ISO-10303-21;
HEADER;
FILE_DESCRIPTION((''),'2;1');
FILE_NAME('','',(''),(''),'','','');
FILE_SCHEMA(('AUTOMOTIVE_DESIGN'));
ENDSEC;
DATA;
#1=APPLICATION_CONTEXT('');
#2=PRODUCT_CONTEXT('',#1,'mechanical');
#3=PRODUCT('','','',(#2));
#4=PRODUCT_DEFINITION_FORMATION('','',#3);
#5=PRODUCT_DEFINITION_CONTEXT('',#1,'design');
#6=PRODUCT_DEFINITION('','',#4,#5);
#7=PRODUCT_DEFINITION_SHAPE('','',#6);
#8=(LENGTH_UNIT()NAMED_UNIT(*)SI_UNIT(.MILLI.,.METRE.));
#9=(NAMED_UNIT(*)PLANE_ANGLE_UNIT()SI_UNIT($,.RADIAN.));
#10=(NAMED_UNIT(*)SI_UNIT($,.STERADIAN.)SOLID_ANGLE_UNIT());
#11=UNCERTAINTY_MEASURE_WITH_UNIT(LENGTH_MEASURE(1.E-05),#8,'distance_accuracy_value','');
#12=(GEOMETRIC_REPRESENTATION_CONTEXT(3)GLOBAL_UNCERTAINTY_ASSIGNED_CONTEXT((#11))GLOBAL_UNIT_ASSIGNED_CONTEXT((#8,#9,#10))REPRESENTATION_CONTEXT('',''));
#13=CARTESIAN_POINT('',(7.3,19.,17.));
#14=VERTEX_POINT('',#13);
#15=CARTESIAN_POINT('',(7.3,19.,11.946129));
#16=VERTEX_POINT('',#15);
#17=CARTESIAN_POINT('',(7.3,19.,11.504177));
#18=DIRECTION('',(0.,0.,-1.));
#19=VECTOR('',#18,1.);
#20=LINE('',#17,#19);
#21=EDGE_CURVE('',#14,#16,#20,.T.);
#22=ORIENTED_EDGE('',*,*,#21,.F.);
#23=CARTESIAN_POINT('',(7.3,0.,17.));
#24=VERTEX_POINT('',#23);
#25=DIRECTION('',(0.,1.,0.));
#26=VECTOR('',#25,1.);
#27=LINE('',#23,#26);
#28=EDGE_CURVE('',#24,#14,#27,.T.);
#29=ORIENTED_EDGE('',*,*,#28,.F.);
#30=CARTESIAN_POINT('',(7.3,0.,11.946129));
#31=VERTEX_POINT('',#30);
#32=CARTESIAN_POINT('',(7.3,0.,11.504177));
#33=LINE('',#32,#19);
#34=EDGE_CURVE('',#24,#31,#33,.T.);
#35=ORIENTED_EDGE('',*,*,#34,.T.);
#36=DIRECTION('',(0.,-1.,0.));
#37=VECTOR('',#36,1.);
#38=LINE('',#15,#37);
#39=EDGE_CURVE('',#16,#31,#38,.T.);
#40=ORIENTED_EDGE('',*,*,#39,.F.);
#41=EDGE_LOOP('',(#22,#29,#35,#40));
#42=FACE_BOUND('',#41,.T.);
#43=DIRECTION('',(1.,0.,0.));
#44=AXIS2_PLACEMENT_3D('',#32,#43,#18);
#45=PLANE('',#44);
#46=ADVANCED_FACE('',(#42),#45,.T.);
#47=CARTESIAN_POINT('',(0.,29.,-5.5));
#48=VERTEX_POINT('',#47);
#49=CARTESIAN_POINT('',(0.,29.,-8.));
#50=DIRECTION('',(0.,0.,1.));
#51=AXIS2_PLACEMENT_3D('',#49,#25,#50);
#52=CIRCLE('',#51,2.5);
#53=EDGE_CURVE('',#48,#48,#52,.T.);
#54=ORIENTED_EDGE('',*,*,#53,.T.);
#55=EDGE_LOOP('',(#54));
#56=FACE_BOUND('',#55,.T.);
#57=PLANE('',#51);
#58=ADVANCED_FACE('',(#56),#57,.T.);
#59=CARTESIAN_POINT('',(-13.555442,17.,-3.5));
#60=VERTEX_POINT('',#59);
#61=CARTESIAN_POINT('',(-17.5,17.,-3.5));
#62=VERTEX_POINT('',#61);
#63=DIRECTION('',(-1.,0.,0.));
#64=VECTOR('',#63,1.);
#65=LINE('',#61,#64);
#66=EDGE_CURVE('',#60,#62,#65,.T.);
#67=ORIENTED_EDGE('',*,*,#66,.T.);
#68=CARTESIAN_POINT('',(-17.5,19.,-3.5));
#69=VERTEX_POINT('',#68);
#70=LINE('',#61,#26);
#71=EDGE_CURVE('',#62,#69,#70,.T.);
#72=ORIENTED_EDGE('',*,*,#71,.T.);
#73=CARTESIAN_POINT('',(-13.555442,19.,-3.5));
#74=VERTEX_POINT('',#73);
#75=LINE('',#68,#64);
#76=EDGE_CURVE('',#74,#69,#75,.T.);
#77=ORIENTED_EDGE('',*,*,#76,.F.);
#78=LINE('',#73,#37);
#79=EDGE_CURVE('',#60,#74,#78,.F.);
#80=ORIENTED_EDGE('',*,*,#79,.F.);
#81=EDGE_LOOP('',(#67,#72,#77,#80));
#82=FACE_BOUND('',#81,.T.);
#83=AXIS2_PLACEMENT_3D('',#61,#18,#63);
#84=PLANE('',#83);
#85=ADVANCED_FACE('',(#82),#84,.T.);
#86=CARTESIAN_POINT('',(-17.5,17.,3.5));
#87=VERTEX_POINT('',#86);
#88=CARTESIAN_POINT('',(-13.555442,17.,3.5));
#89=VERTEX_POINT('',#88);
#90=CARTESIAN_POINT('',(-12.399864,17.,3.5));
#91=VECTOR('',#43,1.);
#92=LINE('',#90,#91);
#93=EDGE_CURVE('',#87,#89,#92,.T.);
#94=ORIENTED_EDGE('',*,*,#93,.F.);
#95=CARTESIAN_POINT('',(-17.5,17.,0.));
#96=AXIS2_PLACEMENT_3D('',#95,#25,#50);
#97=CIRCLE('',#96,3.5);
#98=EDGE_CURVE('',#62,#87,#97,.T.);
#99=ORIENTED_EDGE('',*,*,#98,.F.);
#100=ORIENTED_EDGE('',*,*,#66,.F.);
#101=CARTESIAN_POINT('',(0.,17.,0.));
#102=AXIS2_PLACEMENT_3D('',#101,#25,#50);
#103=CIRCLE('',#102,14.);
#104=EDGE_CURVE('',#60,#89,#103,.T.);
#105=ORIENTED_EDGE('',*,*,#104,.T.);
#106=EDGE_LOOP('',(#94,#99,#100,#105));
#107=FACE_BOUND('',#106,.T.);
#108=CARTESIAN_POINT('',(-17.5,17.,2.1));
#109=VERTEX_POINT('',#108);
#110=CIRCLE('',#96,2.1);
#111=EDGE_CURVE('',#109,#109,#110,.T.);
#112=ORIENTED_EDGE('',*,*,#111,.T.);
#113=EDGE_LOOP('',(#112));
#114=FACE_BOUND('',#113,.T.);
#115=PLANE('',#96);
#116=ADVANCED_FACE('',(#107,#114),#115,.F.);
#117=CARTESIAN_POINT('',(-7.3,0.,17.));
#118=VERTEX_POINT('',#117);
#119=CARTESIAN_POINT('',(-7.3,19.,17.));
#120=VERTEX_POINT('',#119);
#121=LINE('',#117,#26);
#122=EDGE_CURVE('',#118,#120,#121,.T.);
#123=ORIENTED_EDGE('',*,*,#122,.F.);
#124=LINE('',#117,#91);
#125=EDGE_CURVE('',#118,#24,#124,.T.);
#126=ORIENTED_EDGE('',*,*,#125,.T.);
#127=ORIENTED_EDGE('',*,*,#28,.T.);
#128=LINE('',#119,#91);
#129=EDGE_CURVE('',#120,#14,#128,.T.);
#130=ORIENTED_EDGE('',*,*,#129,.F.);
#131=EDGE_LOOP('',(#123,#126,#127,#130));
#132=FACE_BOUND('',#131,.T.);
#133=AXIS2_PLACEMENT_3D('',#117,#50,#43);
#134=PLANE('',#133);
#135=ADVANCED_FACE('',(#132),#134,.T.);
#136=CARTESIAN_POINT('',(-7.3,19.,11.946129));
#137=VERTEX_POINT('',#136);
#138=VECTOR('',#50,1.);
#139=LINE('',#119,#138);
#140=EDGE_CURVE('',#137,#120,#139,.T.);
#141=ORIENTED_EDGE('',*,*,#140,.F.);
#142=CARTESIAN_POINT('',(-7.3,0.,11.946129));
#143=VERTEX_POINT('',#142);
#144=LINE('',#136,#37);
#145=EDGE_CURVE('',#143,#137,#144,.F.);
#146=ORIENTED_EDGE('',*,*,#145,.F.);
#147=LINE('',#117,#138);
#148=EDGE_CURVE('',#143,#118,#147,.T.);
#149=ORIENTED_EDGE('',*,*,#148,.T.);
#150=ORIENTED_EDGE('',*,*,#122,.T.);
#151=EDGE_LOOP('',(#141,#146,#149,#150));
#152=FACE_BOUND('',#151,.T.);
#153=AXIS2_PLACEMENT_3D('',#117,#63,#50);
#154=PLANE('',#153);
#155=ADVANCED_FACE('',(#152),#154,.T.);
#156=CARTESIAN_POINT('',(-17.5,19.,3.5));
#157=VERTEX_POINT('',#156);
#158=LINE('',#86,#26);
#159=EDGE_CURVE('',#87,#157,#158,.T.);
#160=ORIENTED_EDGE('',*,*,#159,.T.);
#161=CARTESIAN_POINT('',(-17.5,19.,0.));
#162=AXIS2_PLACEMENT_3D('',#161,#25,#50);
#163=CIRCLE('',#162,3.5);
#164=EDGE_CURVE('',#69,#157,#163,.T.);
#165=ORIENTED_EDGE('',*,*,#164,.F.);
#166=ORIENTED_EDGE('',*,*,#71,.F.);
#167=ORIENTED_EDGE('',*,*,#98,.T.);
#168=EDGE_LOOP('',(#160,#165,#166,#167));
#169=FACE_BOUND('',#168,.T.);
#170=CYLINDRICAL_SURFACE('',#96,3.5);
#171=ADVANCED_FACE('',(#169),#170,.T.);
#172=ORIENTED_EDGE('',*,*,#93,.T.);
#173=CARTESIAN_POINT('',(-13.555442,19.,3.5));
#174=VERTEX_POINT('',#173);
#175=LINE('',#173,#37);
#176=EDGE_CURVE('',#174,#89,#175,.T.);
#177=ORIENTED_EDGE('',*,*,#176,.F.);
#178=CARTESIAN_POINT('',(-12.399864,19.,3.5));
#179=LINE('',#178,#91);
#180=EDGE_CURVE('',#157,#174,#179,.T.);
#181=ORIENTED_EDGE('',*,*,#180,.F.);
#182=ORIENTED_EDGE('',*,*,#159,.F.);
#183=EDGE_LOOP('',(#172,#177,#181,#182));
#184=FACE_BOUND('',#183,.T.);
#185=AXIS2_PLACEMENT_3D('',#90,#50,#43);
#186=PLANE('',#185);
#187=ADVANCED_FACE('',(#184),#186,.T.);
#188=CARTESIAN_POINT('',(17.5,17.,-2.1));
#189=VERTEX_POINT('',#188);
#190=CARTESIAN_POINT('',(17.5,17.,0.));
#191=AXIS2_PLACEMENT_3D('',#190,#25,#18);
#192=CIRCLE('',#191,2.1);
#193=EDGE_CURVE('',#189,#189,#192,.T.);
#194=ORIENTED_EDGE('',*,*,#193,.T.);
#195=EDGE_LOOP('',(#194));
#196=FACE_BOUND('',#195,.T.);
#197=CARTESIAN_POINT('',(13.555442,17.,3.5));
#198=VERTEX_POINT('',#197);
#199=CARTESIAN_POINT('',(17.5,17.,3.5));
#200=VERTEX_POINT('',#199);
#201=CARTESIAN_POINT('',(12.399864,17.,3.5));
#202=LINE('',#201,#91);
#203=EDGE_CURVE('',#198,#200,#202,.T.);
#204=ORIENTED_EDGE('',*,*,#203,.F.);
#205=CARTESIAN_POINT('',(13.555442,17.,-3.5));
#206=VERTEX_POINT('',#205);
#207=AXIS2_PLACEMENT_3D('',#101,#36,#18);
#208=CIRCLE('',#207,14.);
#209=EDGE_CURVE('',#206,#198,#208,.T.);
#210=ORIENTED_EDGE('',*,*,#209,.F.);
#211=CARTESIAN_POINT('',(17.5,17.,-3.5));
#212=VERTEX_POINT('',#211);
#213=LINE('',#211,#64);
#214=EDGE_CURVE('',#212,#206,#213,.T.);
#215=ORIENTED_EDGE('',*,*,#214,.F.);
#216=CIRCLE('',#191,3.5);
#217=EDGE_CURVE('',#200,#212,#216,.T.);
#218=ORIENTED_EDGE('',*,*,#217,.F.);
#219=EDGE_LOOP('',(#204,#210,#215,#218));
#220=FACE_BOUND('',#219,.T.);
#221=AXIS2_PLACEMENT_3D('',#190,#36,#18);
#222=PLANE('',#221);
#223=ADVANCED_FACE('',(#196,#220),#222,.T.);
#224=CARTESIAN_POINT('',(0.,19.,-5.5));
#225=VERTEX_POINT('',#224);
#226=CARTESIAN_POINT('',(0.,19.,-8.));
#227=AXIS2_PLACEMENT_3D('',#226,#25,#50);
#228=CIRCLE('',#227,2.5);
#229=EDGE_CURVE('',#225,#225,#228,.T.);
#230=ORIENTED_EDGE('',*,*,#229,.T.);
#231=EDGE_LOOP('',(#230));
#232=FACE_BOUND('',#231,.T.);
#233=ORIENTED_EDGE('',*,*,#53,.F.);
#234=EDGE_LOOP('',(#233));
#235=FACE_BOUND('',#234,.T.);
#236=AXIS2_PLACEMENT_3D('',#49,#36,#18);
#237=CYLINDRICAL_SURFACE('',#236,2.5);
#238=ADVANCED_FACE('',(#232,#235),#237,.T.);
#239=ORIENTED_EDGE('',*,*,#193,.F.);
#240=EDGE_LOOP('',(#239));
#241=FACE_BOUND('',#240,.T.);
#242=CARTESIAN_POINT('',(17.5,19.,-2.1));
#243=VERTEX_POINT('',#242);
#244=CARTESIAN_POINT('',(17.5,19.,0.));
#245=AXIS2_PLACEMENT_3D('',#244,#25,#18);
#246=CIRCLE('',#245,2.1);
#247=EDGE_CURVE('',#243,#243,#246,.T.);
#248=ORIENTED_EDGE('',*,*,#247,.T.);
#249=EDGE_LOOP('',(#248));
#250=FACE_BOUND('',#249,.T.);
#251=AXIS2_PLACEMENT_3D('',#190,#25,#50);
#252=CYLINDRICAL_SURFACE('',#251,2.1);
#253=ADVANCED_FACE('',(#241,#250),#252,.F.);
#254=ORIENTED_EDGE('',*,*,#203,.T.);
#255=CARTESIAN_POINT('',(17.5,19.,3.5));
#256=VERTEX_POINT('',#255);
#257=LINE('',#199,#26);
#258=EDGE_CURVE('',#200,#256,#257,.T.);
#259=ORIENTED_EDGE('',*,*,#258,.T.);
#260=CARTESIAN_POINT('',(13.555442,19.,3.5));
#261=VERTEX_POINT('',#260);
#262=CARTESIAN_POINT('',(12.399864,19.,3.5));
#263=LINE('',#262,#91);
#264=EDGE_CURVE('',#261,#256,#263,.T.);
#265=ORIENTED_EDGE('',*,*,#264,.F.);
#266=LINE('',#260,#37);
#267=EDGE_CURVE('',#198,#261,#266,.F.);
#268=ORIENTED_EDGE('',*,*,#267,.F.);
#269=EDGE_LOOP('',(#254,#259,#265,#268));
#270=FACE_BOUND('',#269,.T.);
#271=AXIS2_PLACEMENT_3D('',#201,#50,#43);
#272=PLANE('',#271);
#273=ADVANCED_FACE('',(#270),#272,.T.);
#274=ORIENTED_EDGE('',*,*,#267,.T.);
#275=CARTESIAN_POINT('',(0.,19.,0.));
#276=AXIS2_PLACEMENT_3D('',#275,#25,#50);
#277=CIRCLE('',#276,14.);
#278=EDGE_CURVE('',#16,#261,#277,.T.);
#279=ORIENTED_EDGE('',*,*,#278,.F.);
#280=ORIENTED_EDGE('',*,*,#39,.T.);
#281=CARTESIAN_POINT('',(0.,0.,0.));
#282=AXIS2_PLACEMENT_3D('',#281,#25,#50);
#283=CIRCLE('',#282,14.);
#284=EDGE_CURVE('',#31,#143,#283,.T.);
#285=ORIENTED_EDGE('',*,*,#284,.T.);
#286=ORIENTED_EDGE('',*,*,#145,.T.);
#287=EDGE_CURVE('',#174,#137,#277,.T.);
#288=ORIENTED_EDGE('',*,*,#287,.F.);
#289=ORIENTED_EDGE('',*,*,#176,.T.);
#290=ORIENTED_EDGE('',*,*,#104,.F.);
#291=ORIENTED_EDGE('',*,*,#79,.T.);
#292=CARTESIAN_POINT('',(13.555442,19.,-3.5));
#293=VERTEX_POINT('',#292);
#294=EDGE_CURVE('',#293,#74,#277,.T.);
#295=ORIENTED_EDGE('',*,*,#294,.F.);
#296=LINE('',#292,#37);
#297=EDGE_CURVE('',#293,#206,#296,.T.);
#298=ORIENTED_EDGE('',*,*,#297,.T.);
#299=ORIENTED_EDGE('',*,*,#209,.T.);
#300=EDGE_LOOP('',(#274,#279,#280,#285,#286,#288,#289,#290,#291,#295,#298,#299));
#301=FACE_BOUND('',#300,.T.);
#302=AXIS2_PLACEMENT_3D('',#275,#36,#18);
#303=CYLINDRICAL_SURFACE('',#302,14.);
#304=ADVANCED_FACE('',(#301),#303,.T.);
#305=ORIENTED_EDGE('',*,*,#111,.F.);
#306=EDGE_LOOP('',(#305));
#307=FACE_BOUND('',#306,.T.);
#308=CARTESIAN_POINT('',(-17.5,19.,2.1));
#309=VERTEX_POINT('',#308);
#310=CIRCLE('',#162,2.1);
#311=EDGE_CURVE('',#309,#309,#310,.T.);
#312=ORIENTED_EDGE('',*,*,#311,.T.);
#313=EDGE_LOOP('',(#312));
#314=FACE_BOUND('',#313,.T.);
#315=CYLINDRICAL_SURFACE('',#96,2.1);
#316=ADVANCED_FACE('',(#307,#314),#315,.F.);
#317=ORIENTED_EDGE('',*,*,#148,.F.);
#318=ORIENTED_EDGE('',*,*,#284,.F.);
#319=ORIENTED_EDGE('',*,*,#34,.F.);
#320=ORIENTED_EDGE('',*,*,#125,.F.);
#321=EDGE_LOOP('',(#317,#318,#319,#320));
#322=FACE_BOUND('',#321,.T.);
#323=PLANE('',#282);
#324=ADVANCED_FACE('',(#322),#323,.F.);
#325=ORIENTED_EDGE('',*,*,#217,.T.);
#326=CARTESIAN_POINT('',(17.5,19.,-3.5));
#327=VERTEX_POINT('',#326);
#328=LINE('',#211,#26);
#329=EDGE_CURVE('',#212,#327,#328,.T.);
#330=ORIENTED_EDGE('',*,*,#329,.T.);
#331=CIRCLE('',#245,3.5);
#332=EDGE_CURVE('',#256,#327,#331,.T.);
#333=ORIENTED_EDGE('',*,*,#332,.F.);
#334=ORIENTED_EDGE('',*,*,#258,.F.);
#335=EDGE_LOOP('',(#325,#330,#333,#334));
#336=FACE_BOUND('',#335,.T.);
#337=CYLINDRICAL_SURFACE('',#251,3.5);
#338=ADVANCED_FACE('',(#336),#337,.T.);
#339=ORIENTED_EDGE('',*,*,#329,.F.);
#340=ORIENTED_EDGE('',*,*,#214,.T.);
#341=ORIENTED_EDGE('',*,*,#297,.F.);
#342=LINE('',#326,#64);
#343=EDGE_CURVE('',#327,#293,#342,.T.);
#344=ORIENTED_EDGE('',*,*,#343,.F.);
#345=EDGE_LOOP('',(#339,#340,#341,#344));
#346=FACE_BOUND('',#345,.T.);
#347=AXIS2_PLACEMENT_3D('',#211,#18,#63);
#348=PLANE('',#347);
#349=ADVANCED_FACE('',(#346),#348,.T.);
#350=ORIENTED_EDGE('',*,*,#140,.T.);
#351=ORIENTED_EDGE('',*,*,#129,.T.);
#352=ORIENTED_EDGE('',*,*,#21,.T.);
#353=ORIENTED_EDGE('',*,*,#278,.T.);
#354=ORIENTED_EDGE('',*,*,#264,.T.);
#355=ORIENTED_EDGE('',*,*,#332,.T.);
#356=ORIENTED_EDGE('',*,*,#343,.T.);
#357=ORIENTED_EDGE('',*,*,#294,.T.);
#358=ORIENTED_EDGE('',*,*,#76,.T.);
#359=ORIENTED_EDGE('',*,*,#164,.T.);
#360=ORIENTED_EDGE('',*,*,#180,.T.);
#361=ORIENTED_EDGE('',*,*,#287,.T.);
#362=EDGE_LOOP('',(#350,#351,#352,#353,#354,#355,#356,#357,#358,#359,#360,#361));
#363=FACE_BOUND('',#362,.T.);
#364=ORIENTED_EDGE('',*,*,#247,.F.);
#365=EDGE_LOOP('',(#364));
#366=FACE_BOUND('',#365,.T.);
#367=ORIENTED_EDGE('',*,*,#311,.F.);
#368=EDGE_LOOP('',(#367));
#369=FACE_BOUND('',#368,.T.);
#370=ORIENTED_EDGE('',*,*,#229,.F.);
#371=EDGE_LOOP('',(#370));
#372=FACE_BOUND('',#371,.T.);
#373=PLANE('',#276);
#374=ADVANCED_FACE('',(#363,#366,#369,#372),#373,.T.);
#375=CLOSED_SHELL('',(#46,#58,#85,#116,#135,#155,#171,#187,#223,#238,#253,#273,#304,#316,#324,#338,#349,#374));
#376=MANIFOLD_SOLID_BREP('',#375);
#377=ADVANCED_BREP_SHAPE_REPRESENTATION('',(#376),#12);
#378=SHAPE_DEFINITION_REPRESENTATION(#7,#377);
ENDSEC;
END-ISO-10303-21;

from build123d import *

# Parameters (mm, degrees)
SKETCH1_R           = 14
BOSS_EXTRUDE1_DEPTH = 19
SKETCH2_W           = 14.6
SKETCH2_H           = 5.495823158
BOSS_EXTRUDE2_DEPTH = 19
SKETCH3_R           = 2.1
BOSS_EXTRUDE3_DEPTH = 2
SKETCH4_R           = 2.5
BOSS_EXTRUDE4_DEPTH = 10


with BuildPart() as part:
    # Sketch1 → Boss-Extrude1 (new body)
    with BuildSketch(Plane(origin=(0, 0, 0), x_dir=(1, 0, 0), z_dir=(0, 1, 0))):
        with Locations(Location((0, 0, 0), (0, 0, 270))):
            Circle(SKETCH1_R)
    extrude(amount=BOSS_EXTRUDE1_DEPTH)

    # Sketch2 → Boss-Extrude2 (add)
    with BuildSketch(Plane(origin=(0, 19, 0), x_dir=(1, 0, 0), z_dir=(0, 1, 0))):
        with Locations((0, -14.252088421)):
            Rectangle(SKETCH2_W, SKETCH2_H)
    extrude(amount=-BOSS_EXTRUDE2_DEPTH)

    # Sketch3 → Boss-Extrude3 (add)
    # profile 1 of 2: a face of its own
    with BuildSketch(Plane(origin=(0, 19, 0), x_dir=(1, 0, 0), z_dir=(0, 1, 0))):
        with BuildLine():
            Line((-17.5, 3.5), (-12.399863738, 3.5))
            Line((-12.399863738, 3.5), (-12.399863738, -3.5))
            Line((-12.399863738, -3.5), (-17.5, -3.5))
            ThreePointArc((-17.5, -3.5), (-21, 0), (-17.5, 3.5))
        make_face()
        with Locations(Location((-17.5, 0, 0), (0, 0, 270))):
            Circle(SKETCH3_R, mode=Mode.SUBTRACT)
    # profile 2 of 2: a face of its own
    with BuildSketch(Plane(origin=(0, 19, 0), x_dir=(1, 0, 0), z_dir=(0, 1, 0))):
        with BuildLine():
            Line((12.399863738, -3.5), (17.5, -3.5))
            ThreePointArc((17.5, -3.5), (21, 0), (17.5, 3.5))
            Line((17.5, 3.5), (12.399863738, 3.5))
            Line((12.399863738, 3.5), (12.399863738, -3.5))
        make_face()
        with Locations(Location((17.5, 0, 0), (0, 0, 90))):
            Circle(SKETCH3_R, mode=Mode.SUBTRACT)
    extrude(amount=-BOSS_EXTRUDE3_DEPTH)

    # Sketch4 → Boss-Extrude4 (add)
    with BuildSketch(Plane(origin=(0, 19, 0), x_dir=(1, 0, 0), z_dir=(0, 1, 0))):
        with Locations(Location((0, 8, 0), (0, 0, 270))):
            Circle(SKETCH4_R)
    extrude(amount=BOSS_EXTRUDE4_DEPTH)


solid = part.part
